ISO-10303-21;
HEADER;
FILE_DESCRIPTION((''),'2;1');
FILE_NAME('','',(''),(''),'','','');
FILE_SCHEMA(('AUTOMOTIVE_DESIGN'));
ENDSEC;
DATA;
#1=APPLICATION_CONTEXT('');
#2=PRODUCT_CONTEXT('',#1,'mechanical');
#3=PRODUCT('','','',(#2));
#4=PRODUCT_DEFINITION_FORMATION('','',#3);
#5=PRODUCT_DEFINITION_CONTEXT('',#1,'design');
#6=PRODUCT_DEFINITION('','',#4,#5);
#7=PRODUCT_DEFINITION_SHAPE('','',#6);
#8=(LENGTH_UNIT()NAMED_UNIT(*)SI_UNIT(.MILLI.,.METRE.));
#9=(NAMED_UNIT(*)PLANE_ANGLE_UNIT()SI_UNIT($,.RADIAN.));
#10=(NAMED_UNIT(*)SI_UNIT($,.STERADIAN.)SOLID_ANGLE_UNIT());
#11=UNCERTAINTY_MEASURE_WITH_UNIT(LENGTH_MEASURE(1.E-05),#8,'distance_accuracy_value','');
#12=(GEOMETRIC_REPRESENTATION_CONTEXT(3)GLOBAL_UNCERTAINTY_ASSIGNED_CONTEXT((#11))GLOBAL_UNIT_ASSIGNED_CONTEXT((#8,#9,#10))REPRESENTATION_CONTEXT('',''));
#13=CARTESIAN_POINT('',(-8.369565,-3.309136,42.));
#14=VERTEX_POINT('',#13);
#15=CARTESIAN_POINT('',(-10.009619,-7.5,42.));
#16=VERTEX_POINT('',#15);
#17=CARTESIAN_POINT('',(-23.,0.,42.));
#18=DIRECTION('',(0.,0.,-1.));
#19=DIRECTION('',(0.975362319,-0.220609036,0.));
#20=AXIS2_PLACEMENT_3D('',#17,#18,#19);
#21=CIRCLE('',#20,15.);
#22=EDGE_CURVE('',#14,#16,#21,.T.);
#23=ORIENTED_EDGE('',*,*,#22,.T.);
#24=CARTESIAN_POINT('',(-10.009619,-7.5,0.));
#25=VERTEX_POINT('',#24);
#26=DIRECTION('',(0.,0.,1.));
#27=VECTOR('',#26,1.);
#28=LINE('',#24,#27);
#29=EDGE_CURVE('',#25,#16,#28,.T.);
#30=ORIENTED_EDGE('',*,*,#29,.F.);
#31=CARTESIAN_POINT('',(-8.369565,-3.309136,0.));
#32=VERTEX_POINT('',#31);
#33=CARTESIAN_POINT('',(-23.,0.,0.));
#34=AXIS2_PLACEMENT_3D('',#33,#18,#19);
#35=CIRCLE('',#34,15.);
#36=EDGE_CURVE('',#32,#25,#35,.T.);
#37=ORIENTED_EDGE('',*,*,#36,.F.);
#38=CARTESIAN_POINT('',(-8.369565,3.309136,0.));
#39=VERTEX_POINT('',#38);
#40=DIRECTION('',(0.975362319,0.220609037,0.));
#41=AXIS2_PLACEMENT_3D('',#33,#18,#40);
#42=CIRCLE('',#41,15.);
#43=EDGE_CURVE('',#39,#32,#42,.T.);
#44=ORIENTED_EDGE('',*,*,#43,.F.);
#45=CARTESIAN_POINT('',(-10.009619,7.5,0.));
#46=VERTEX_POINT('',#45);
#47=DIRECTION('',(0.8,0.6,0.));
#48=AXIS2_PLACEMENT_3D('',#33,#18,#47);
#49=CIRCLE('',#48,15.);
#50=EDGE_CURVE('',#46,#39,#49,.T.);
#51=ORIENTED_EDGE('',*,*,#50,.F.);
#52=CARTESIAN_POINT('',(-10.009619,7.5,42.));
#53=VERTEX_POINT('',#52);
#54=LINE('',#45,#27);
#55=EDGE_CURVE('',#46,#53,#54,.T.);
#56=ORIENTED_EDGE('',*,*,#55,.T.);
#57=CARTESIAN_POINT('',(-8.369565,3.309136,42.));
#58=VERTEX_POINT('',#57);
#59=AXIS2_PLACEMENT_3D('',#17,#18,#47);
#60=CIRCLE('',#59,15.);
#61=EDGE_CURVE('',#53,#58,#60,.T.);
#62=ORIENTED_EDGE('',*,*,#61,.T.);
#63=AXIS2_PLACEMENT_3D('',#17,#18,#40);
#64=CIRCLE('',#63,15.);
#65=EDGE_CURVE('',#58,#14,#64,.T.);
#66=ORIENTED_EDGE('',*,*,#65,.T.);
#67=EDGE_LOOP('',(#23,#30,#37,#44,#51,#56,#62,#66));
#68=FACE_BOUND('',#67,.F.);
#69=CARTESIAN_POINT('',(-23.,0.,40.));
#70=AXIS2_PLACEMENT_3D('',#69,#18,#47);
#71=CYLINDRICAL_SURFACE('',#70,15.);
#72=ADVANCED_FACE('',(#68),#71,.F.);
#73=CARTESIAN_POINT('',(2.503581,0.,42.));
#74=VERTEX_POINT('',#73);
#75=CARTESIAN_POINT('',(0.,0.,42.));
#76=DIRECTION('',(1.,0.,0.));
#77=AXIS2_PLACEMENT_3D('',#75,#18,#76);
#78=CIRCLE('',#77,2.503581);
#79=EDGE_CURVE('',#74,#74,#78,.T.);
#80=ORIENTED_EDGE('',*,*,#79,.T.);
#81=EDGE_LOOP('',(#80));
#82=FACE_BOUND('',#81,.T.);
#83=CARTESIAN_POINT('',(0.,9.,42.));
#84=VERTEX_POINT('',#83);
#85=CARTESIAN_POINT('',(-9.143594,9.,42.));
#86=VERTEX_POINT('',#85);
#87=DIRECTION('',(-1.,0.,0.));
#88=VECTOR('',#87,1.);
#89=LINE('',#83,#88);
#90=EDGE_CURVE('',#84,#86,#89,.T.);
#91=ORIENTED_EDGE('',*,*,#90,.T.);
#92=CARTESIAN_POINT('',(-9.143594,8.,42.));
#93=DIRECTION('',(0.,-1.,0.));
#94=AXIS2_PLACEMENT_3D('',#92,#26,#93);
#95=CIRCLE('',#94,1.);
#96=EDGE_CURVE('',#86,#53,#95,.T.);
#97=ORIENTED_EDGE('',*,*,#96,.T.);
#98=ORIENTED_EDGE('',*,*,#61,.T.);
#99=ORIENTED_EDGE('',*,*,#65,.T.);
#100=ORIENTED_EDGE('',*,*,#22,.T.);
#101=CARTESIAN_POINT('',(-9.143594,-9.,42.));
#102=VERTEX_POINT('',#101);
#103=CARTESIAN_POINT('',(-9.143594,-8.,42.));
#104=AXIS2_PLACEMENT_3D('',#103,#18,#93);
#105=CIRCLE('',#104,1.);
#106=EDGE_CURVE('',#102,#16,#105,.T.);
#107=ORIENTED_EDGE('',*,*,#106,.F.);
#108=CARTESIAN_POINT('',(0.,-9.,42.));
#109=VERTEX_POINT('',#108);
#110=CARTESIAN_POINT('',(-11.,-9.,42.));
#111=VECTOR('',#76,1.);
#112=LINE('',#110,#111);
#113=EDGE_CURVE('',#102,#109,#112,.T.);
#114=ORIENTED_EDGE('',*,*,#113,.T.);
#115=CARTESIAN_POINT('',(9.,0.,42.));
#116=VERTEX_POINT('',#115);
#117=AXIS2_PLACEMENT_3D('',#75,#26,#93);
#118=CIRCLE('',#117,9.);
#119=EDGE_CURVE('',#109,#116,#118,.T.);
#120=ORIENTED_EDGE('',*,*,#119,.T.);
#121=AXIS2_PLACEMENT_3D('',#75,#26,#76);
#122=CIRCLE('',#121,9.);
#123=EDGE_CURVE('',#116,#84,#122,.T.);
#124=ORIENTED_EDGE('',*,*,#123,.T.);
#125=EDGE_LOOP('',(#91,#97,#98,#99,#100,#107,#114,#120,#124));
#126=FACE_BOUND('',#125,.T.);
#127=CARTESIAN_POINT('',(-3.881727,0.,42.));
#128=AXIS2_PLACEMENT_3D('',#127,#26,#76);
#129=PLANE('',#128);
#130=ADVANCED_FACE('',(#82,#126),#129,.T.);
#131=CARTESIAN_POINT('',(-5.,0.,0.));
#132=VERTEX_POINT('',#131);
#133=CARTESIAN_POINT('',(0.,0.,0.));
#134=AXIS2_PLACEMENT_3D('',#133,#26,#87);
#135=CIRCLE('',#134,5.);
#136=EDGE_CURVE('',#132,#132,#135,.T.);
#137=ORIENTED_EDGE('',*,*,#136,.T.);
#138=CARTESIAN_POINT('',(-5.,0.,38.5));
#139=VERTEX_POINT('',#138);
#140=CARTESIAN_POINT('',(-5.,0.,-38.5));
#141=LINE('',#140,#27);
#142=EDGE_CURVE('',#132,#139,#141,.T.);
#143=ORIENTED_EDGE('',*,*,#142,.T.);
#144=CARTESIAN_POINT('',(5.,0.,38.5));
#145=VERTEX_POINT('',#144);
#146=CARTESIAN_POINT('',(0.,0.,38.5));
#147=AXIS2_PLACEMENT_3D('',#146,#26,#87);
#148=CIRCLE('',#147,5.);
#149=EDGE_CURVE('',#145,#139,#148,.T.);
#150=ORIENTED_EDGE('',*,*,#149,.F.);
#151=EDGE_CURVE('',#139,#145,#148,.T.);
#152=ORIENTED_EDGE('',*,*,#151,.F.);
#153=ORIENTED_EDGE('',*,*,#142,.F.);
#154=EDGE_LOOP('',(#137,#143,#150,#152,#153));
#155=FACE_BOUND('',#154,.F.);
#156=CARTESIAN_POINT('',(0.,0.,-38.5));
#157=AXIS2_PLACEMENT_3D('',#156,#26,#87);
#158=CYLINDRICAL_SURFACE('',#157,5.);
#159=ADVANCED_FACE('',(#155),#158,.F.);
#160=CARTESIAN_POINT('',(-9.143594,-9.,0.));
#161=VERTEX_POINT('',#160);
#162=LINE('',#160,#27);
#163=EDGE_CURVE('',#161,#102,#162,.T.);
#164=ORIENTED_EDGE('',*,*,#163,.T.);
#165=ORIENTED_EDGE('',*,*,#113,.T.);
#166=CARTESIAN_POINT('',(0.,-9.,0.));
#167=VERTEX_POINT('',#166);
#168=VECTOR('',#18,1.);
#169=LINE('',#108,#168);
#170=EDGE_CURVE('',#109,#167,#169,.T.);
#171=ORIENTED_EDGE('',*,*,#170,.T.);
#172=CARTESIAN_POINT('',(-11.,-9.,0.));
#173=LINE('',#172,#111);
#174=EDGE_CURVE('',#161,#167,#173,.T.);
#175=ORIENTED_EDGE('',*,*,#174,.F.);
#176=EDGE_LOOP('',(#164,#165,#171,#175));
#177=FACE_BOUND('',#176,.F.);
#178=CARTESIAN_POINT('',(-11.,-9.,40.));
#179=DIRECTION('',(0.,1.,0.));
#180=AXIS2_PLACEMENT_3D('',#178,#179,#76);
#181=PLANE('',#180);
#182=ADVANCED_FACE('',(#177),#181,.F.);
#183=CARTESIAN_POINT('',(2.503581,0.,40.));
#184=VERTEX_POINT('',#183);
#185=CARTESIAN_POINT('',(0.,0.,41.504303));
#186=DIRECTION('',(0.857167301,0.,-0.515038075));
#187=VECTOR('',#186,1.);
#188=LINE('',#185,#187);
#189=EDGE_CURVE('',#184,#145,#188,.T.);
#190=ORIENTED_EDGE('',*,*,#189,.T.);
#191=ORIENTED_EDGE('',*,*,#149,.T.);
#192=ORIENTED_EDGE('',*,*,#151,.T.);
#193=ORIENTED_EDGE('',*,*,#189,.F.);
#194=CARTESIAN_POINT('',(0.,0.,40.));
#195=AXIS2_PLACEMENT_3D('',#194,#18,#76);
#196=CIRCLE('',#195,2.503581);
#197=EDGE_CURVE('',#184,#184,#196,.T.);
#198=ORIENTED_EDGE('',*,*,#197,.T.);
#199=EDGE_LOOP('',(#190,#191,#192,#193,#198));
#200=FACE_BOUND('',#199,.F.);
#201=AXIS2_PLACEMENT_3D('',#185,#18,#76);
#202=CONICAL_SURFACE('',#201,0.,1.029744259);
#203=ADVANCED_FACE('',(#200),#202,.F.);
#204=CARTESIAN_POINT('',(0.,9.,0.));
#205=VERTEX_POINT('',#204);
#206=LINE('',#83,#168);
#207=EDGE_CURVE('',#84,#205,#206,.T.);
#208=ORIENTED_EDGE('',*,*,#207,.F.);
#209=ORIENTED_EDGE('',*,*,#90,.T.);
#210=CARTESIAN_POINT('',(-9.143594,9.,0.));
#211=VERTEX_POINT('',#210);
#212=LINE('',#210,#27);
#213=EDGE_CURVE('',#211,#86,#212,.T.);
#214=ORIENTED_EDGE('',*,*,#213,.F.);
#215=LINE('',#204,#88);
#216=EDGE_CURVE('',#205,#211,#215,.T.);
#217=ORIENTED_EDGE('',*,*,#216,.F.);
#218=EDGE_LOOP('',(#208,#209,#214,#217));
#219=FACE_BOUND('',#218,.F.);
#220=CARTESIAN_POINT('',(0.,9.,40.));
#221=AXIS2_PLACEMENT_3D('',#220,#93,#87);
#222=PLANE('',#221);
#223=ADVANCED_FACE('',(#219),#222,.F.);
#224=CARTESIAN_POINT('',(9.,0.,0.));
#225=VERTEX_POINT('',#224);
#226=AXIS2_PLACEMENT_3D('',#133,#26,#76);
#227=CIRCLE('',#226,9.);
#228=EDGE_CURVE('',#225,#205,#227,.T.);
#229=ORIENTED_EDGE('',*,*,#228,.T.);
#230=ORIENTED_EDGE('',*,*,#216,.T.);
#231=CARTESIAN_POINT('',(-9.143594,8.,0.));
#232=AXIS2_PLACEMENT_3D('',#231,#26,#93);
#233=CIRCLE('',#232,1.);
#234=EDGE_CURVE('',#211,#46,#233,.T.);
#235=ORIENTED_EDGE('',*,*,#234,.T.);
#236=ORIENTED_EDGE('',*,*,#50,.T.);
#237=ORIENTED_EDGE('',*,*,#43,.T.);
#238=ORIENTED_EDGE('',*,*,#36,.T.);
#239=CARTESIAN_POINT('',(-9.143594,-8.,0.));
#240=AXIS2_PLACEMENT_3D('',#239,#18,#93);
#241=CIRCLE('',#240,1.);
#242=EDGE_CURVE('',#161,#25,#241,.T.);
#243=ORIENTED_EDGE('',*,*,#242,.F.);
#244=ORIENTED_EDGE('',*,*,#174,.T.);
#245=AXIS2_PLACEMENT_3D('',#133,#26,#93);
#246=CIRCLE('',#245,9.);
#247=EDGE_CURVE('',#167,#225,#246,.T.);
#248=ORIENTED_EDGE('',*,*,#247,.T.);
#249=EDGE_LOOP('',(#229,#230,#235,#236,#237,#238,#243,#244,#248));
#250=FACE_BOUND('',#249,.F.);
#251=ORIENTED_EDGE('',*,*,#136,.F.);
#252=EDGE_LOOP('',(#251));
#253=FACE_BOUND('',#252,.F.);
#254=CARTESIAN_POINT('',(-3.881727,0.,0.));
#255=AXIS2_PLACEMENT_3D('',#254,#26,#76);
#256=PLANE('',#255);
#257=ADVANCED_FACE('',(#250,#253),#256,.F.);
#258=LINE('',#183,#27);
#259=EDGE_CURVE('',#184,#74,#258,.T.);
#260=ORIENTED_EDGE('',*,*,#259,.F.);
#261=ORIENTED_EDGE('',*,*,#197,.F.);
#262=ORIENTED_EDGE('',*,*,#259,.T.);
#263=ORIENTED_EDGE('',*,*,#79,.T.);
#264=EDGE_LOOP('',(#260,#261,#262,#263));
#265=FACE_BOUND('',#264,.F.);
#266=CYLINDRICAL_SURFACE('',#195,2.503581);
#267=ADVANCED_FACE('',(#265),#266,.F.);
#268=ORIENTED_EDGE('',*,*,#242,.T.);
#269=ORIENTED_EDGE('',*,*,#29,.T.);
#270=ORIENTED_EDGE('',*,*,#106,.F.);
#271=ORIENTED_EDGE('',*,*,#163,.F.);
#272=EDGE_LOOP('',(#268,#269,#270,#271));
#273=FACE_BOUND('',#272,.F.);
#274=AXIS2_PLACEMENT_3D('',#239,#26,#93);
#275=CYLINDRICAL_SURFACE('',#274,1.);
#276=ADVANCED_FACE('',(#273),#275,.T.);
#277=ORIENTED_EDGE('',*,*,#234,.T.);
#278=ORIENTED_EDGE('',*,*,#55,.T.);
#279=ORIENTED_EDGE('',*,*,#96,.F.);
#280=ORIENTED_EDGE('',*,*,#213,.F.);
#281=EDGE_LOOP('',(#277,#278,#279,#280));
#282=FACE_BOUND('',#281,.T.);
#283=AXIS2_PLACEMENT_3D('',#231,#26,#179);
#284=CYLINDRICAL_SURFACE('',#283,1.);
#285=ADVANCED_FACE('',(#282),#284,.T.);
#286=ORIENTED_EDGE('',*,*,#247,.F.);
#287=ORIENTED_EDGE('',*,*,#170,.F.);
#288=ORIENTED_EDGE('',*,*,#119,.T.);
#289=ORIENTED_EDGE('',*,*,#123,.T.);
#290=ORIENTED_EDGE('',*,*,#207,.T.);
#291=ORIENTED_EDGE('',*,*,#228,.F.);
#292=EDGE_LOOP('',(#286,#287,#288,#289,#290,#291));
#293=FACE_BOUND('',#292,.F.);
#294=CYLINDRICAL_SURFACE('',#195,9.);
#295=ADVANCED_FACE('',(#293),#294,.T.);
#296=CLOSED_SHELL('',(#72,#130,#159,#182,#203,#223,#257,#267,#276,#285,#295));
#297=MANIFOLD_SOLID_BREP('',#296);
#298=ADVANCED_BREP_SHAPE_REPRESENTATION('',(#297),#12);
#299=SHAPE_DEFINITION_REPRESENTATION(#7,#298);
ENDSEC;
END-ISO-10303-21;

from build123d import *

# Parameters (mm, degrees)
F1_DEPTH = 40
F3_D     = 10
F3_DEPTH = 38.5
F3_TIP   = 3.0043030951
F4_DEPTH = 2
F5_R     = 1


with BuildPart() as f1:
    # F0 (on Top) → F1 (new body)
    with BuildSketch(Plane.XY):
        with BuildLine():
            ThreePointArc((0, -5), (-5, 0), (0, 5))
            Line((0, 5), (0, 9))
            ThreePointArc((0, 9), (-5.0605227038, 7.442520404), (-8.3695652174, 3.3091355475))
            ThreePointArc((-8.3695652174, 3.3091355475), (-8, 0), (-8.3695652174, -3.3091355475))
            ThreePointArc((-8.3695652174, -3.3091355475), (-5.0605227038, -7.442520404), (0, -9))
            Line((0, -9), (0, -5))
        make_face()
        with BuildLine():
            ThreePointArc((-8.3695652174, 3.3091355475), (-5.0605227038, 7.442520404), (0, 9))
            Line((0, 9), (-11, 9))
            ThreePointArc((-11, 9), (-9.3841453176, 6.2935285229), (-8.3695652174, 3.3091355475))
        make_face()
        with BuildLine():
            Line((-11, -9), (0, -9))
            ThreePointArc((0, -9), (-5.0605227038, -7.442520404), (-8.3695652174, -3.3091355475))
            ThreePointArc((-8.3695652174, -3.3091355475), (-9.3841453176, -6.2935285229), (-11, -9))
        make_face()
        with BuildLine():
            ThreePointArc((0, 5), (3.5355339059, 3.5355339059), (5, 0))
            ThreePointArc((5, 0), (3.5355339059, -3.5355339059), (0, -5))
            Line((0, -5), (0, -9))
            ThreePointArc((0, -9), (6.3639610307, -6.3639610307), (9, 0))
            ThreePointArc((9, 0), (6.3639610307, 6.3639610307), (0, 9))
            Line((0, 9), (0, 5))
        make_face()
        with BuildLine():
            Line((0, -5), (0, 5))
            ThreePointArc((0, 5), (-5, 0), (0, -5))
        make_face()
        with BuildLine():
            ThreePointArc((0, -5), (3.5355339059, -3.5355339059), (5, 0))
            ThreePointArc((5, 0), (3.5355339059, 3.5355339059), (0, 5))
            Line((0, 5), (0, -5))
        make_face()
    extrude(amount=F1_DEPTH)

    # F3
    with Locations(Plane(origin=(0, 0, 0), x_dir=(1, 0, 0), z_dir=(0, 0, -1))):
        with Locations((0, 0)):
            Hole(F3_D / 2, depth=F3_DEPTH)
            with Locations((0, 0, -(F3_DEPTH + F3_TIP / 2))):  # 118° drill point
                Cone(0, F3_D / 2, F3_TIP, mode=Mode.SUBTRACT)

    # F4 (add): a face of the model
    f4_faces = [f1.faces().sort_by_distance(p)[0] for p in [
        (-5.5, 8.7309275191, 40),
    ]]
    extrude(f4_faces, amount=F4_DEPTH)

    # F5
    f5_edges = [f1.edges().sort_by_distance(p)[0] for p in [
        (-11, -9, 21),
        (-11, 9, 21),
    ]]
    fillet(f5_edges, radius=F5_R)


solid = f1.part
